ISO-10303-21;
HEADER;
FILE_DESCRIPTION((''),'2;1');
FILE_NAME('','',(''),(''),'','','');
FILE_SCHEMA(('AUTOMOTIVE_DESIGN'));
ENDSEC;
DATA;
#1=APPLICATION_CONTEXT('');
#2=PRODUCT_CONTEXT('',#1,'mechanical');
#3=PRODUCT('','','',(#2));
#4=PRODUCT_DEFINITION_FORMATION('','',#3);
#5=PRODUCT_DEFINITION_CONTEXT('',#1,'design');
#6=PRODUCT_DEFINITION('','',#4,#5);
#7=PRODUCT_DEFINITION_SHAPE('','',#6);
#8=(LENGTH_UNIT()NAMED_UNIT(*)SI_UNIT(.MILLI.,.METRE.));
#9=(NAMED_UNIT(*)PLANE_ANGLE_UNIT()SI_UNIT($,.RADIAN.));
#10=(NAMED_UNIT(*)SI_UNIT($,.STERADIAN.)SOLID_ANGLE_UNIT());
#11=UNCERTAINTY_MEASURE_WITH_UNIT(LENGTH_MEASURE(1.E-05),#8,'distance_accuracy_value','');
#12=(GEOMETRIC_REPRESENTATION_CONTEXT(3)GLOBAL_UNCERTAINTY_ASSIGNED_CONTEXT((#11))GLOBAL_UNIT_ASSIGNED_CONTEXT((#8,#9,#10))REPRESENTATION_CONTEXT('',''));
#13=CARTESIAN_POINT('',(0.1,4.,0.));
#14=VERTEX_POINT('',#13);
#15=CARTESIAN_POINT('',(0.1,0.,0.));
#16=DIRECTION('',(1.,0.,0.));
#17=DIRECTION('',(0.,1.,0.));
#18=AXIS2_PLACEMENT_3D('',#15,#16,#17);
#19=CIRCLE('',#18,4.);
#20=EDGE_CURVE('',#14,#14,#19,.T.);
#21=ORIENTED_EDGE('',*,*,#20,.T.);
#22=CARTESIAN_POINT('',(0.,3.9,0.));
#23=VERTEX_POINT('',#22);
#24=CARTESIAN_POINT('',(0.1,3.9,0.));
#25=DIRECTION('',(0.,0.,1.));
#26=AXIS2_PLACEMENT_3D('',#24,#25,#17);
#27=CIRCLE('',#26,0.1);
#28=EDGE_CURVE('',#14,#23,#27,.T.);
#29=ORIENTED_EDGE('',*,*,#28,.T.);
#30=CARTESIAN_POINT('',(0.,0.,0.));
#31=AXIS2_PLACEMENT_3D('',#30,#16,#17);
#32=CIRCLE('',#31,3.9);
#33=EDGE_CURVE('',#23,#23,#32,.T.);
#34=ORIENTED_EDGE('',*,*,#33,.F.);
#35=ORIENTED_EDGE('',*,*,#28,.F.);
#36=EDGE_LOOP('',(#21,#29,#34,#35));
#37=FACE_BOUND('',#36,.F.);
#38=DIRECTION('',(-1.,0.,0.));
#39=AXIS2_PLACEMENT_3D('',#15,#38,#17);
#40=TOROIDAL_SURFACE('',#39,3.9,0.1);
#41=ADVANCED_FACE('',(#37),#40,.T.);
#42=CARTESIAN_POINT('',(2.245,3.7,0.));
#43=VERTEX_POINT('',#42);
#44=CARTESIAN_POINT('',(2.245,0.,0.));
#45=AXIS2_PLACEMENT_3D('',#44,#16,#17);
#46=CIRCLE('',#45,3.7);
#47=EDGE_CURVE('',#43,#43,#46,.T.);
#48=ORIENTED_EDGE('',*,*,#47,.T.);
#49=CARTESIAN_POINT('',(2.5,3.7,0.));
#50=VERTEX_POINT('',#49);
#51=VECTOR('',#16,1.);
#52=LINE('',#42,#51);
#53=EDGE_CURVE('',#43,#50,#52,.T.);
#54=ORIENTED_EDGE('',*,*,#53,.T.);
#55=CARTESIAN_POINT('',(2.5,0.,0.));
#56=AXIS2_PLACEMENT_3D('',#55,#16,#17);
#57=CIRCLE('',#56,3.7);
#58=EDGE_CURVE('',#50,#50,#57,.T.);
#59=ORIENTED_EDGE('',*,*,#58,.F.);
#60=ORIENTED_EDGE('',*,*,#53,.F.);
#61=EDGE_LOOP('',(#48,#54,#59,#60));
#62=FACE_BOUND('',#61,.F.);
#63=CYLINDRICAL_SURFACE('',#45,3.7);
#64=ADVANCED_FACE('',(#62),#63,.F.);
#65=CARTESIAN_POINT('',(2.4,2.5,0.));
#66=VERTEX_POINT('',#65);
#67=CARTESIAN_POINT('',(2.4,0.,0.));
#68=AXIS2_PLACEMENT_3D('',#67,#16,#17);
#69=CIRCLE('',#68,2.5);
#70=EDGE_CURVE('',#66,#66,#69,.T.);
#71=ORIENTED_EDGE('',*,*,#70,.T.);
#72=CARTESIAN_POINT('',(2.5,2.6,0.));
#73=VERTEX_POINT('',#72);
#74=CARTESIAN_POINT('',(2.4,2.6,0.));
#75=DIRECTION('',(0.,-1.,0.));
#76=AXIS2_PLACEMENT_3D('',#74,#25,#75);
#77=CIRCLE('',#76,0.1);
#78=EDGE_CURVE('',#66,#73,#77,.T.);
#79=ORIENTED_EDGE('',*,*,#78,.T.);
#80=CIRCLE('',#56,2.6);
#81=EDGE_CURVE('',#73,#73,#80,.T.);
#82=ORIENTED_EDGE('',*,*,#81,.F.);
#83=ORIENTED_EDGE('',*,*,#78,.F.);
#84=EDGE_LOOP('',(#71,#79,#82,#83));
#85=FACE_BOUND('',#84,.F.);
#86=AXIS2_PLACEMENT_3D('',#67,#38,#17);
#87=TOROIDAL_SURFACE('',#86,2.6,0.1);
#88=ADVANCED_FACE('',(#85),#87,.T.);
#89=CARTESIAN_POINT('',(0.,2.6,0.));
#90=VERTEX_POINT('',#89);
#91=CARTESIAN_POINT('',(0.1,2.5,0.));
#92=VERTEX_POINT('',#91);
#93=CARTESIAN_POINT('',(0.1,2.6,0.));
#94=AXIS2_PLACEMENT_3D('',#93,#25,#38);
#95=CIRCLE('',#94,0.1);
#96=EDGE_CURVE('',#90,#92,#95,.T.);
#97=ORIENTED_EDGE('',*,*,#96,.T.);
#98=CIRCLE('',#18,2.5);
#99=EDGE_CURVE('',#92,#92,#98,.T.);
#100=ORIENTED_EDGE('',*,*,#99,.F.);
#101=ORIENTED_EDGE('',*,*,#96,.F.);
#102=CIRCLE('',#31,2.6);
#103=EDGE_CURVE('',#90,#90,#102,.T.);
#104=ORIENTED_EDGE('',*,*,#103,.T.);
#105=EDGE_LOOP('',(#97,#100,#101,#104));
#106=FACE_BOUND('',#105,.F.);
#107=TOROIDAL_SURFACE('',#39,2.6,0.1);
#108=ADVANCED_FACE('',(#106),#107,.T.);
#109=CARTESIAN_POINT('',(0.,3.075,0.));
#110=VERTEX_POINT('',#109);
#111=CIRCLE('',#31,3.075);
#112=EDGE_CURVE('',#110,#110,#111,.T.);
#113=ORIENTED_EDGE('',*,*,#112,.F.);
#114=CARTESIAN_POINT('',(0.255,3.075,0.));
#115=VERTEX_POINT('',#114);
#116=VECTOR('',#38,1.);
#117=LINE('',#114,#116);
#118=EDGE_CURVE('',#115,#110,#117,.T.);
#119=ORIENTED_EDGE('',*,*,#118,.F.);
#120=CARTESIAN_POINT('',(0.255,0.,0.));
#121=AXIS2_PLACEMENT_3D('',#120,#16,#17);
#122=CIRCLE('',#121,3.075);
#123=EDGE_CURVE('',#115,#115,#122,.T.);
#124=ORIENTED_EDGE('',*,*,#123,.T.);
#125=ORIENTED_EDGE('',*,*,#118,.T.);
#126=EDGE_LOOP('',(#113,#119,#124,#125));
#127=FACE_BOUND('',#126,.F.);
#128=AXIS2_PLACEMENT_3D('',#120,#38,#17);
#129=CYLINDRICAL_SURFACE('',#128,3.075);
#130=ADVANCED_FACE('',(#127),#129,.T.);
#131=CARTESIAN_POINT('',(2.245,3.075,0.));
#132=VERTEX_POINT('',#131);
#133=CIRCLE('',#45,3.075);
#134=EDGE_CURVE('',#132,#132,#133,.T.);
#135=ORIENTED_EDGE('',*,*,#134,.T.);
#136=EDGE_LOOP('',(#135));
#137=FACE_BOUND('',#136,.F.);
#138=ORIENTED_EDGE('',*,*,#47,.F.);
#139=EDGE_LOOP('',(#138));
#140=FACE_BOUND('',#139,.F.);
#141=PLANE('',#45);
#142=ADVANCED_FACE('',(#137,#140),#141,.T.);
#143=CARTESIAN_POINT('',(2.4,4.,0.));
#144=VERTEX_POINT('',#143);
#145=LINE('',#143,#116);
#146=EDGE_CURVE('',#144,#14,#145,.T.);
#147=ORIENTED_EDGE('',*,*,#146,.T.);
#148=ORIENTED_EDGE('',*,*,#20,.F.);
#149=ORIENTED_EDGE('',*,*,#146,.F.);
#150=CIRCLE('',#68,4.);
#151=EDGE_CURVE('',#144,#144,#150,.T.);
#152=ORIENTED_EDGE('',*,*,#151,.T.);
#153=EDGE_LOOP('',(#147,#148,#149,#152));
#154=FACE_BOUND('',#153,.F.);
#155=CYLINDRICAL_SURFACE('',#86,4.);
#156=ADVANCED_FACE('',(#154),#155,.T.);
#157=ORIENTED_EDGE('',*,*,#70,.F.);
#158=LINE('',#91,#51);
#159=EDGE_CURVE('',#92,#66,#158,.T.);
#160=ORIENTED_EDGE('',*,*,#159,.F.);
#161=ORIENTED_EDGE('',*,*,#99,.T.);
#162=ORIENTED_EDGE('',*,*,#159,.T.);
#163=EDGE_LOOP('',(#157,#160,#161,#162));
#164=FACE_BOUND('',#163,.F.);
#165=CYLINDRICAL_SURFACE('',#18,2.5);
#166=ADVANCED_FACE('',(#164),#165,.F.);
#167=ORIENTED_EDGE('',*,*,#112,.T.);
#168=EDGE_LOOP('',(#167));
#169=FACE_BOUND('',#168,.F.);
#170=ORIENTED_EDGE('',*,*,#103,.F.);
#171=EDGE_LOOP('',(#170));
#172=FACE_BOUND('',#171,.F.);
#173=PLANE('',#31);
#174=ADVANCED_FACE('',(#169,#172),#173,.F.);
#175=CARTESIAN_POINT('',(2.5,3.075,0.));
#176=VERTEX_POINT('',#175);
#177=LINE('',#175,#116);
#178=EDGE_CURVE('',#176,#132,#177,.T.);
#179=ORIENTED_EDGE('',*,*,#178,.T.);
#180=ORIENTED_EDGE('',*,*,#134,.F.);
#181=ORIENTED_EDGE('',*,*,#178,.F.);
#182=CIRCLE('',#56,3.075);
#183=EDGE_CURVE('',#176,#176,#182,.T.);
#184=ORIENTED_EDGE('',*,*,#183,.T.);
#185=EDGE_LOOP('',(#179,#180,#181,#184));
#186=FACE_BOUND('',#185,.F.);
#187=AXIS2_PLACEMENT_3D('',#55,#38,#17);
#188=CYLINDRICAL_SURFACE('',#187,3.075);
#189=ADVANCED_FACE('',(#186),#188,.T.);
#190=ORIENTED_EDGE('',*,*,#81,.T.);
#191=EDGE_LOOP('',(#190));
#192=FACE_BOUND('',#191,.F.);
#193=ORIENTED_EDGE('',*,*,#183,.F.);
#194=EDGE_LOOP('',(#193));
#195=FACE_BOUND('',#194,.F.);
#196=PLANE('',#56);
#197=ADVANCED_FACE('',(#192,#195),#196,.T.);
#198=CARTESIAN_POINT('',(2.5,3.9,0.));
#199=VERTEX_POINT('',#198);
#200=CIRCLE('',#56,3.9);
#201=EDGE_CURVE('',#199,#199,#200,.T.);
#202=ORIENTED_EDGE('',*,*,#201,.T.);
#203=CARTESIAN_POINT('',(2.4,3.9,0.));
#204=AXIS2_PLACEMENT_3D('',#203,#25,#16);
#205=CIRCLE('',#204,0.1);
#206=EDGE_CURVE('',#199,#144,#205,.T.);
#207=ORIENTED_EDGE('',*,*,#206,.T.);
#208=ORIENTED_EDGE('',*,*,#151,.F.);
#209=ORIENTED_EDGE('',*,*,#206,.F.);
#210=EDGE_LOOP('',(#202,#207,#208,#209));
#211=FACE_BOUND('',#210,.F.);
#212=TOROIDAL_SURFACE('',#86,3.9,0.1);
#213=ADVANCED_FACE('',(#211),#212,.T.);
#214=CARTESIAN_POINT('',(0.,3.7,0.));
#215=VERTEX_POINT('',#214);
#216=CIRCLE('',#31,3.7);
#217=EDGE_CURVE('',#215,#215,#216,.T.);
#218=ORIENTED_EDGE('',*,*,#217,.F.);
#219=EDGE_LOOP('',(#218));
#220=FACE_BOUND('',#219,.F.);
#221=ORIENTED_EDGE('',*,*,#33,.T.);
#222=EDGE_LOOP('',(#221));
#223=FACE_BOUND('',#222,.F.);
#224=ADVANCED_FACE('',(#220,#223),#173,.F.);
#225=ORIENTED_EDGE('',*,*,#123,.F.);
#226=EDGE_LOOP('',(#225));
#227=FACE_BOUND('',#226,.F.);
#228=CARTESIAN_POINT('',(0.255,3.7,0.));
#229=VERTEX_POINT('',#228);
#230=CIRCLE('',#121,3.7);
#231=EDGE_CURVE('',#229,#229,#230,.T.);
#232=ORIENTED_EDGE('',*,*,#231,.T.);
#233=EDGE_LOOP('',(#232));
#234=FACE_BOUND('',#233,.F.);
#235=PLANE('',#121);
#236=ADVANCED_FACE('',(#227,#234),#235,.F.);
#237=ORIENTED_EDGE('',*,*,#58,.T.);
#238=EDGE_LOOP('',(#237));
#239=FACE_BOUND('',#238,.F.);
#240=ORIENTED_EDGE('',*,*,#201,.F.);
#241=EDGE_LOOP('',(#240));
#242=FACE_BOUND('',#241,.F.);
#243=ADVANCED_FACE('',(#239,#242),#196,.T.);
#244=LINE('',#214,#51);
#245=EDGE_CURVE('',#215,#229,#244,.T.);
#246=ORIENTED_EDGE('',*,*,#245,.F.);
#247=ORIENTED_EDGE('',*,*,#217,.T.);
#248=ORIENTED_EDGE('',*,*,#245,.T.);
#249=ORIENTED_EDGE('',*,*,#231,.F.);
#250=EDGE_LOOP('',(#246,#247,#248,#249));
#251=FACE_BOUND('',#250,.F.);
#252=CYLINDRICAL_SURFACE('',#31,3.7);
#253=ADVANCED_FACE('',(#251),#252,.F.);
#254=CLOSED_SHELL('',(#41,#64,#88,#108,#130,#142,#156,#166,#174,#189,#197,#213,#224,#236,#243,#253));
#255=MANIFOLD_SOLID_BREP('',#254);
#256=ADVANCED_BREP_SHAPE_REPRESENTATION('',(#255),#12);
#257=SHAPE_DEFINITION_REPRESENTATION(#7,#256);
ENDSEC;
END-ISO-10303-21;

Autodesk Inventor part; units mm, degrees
sketch "Sketch_1" plane through (0, 0, 0) normal (0, 0, 1) x (1, 0, 0)
  line L0 (2.4, 0) -> (0.1, 0)
  arc A0 (0, 2.6) -> (0.1, 2.5) centre (0.1, 2.6) ccw
  line L1 (0.1, 2.5) -> (2.4, 2.5)
  arc A1 (2.4, 2.5) -> (2.5, 2.6) centre (2.4, 2.6) ccw
  line L2 (2.5, 2.6) -> (2.5, 3.075)
  line L3 (2.5, 3.075) -> (2.245, 3.075)
  line L4 (2.245, 3.075) -> (2.245, 3.7)
  line L5 (2.245, 3.7) -> (2.5, 3.7)
  line L6 (2.5, 3.7) -> (2.5, 3.9)
  arc A2 (2.5, 3.9) -> (2.4, 4) centre (2.4, 3.9) ccw
  line L7 (2.4, 4) -> (0.1, 4)
  arc A3 (0.1, 4) -> (0, 3.9) centre (0.1, 3.9) ccw
  line L8 (0, 3.9) -> (0, 3.7)
  line L9 (0, 3.7) -> (0.255, 3.7)
  line L10 (0.255, 3.7) -> (0.255, 3.075)
  line L11 (0.255, 3.075) -> (0, 3.075)
  line L12 (0, 3.075) -> (0, 2.6)
revolve "Revolution1" add sketch "Sketch_1" angle 360 about axis through (2.4, 0, 0) along (1, 0, 0)
ref_plane "to_housing_XY" through (0, 0, 0) normal (1, 0, 0) x (0, 0, -1)
ref_plane "to_housing_YZ" through (0, 0, 0) normal (0, 0, -1) x (0, 1, 0)
ref_plane "to_housing_ZX" through (0, 0, 0) normal (0, 1, 0) x (1, 0, 0)
ref_plane "to_housing_center_XY" through (1.25, 0, 0) normal (1, 0, 0) x (0, 0, -1)
ref_plane "to_housing_center_YZ" through (1.25, 0, 0) normal (0, 0, -1) x (0, 1, 0)
ref_plane "to_housing_center_ZX" through (1.25, 0, 0) normal (0, 1, 0) x (1, 0, 0)
properties part number "C-SE675ZZ"
